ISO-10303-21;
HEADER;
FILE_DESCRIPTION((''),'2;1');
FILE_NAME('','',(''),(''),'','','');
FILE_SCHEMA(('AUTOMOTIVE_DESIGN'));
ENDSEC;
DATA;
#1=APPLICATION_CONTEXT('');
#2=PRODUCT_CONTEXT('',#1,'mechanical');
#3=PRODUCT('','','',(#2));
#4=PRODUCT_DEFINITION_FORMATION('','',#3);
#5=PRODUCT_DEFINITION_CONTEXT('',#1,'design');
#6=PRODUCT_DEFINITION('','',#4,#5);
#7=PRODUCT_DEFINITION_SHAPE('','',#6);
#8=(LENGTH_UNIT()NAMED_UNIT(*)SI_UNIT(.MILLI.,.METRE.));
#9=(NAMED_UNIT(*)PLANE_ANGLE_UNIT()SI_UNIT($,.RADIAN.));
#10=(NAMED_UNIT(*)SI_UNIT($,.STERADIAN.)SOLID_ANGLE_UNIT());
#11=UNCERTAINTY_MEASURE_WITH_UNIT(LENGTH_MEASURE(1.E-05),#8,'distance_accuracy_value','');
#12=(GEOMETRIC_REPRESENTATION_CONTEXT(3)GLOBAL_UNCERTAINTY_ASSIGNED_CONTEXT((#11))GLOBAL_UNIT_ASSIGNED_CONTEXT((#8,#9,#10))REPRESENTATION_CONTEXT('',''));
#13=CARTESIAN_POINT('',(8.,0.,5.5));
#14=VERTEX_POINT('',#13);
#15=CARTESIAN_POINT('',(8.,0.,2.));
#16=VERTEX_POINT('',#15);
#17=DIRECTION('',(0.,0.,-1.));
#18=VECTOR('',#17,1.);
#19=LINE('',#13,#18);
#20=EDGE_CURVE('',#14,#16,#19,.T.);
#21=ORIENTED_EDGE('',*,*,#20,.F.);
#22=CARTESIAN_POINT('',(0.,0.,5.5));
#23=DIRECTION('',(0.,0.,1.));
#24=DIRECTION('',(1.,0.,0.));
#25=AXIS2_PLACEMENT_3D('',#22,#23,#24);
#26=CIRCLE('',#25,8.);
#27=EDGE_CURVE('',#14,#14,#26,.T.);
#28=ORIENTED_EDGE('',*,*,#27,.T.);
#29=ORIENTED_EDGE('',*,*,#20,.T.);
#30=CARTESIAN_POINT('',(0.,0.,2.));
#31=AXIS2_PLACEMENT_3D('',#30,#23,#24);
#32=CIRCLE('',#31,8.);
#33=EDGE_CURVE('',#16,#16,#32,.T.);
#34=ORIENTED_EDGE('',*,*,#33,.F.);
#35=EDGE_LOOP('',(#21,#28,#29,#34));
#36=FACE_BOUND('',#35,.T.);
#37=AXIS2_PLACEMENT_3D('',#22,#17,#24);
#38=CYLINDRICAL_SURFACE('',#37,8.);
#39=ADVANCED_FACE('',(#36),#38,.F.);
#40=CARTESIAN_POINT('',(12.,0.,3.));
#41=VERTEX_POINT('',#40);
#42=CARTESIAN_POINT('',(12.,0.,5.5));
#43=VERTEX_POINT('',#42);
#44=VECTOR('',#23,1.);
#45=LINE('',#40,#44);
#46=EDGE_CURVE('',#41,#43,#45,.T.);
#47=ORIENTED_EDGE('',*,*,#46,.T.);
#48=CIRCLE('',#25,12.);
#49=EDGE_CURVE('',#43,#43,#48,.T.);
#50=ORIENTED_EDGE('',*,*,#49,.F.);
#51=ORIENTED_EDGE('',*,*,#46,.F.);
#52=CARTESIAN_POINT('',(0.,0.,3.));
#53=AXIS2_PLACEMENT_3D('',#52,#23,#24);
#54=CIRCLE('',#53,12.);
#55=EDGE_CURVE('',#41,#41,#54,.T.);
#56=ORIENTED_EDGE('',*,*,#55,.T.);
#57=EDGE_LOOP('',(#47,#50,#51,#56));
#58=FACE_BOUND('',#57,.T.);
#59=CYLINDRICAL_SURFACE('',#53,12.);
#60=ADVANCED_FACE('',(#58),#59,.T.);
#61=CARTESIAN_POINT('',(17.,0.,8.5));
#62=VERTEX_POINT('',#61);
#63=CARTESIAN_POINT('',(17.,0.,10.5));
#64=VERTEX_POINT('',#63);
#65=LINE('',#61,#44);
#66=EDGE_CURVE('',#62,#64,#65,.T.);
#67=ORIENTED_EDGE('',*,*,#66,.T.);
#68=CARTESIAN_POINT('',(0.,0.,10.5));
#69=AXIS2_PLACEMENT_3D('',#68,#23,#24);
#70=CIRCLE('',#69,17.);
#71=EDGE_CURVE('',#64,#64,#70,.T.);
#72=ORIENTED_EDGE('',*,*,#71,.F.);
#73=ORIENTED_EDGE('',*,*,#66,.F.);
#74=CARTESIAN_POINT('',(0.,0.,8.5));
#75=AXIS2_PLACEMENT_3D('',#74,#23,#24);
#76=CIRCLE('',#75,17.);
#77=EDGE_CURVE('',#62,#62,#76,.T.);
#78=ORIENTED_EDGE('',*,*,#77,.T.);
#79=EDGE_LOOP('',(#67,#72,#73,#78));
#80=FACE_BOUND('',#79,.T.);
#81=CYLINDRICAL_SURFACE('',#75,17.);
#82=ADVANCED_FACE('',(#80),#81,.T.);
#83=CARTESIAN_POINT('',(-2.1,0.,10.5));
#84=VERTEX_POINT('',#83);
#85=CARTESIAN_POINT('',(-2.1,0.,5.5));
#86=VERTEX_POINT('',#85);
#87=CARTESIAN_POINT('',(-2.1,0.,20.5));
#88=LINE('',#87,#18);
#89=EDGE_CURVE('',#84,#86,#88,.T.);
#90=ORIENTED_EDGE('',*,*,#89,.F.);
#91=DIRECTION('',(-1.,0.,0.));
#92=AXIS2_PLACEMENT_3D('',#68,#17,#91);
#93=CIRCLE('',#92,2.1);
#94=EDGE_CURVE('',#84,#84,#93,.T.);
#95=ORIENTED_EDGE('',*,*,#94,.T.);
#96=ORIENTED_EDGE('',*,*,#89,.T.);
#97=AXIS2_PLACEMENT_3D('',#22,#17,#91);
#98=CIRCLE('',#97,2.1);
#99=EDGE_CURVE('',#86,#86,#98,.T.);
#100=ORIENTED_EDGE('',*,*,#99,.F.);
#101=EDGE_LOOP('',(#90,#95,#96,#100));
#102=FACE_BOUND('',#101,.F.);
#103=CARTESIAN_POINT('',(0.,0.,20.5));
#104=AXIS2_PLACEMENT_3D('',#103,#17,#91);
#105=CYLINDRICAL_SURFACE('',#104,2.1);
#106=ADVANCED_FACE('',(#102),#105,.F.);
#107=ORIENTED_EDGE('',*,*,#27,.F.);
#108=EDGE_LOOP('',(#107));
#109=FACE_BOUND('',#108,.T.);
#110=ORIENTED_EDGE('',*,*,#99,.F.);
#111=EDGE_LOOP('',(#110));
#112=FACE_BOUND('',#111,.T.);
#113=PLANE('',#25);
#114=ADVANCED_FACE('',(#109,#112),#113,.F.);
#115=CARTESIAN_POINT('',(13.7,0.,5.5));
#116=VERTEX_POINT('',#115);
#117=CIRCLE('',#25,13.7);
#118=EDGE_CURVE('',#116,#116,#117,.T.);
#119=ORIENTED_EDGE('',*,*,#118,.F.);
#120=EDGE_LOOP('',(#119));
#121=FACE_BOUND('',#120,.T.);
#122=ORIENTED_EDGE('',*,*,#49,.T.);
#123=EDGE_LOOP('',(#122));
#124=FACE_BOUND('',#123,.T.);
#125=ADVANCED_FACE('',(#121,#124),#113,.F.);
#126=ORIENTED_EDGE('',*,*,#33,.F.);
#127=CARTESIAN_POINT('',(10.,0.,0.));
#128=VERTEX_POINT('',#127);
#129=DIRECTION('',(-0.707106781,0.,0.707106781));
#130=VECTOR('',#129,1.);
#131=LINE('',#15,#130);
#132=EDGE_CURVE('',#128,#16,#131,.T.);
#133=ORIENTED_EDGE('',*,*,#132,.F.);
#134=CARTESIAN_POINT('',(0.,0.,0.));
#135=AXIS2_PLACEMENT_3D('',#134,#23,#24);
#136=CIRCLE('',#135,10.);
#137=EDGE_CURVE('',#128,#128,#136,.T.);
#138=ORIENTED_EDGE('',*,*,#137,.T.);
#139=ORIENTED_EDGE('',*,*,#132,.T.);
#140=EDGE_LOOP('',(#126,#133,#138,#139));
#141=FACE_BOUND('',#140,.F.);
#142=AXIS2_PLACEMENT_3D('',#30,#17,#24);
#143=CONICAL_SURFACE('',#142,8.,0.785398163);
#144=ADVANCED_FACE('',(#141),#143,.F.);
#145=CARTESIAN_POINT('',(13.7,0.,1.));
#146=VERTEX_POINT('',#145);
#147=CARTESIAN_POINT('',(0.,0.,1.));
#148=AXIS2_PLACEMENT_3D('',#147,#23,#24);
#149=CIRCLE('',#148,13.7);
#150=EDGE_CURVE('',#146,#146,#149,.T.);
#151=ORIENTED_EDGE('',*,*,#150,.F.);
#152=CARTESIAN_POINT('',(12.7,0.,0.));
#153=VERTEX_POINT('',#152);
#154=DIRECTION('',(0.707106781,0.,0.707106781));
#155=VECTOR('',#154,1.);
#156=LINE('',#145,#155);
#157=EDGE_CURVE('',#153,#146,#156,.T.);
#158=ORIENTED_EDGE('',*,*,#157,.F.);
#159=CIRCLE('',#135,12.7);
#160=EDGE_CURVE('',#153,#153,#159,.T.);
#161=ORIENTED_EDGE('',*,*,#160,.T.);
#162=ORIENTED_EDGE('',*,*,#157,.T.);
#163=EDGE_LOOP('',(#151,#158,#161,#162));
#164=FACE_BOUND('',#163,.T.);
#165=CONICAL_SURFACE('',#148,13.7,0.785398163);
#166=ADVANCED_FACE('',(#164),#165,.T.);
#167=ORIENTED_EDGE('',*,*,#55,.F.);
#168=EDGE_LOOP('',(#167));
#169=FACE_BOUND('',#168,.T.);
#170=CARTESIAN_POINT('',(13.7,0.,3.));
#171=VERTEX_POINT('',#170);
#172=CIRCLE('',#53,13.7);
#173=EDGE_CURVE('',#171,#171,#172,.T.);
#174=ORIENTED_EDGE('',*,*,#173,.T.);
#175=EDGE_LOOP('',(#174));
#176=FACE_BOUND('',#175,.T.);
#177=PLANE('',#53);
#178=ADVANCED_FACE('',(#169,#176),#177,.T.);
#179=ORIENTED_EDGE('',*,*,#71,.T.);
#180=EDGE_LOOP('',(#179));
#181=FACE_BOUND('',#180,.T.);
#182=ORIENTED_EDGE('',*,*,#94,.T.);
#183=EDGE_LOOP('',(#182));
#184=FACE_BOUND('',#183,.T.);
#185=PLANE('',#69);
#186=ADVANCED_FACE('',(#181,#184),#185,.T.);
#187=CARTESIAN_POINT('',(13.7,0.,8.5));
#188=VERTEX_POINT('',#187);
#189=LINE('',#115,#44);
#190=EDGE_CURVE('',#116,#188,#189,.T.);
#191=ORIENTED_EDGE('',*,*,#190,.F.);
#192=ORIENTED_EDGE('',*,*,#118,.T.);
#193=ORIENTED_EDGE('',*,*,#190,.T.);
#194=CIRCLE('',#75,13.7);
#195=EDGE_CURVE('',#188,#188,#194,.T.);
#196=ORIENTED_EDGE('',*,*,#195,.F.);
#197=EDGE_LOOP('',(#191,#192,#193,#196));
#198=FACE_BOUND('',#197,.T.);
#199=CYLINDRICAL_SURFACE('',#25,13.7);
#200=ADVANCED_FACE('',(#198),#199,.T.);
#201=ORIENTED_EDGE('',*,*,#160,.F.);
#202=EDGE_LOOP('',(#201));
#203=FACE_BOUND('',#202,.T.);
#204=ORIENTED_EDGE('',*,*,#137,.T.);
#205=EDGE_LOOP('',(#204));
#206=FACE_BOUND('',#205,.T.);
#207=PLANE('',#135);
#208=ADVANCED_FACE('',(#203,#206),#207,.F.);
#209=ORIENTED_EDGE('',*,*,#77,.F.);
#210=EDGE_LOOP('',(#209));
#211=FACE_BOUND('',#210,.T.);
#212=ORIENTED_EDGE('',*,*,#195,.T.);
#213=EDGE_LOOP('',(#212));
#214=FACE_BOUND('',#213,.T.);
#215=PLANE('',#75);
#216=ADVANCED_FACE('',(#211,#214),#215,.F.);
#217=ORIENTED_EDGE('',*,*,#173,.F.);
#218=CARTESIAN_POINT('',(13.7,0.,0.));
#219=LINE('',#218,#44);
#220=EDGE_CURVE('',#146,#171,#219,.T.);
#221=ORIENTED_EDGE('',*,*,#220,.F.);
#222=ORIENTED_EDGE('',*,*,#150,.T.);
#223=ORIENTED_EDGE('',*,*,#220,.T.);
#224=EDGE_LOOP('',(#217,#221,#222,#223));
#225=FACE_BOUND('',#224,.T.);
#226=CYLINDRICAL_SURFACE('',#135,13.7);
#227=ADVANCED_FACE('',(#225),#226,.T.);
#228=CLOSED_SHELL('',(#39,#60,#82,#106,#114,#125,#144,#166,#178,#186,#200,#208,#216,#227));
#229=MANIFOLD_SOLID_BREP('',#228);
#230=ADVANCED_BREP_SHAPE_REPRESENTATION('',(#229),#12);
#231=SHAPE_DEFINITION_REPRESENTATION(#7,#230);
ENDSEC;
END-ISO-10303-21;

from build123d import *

# Parameters (mm, degrees)
F3_D     = 4.2
F3_DEPTH = 10
F3_TIP   = 1.2618073
F4_SIZE  = 1
F5_SIZE  = 2


with BuildPart() as f1:
    # F0 (on Front) → F1 (revolve)
    with BuildSketch(Plane.XZ):
        Polygon((17, 10.5), (0, 10.5), (0, 5.5), (8, 5.5), (8, 0), (13.7, 0), (13.7, 3), (12, 3), (12, 5.5), (13.7, 5.5), (13.7, 8.5), (17, 8.5), align=None)
    revolve(axis=Axis((0, 0, 19.6601920579), (0, 0, 1)))

    # F3
    with Locations(Plane.XY.offset(10.5)):
        with Locations((0, 0)):
            Hole(F3_D / 2, depth=F3_DEPTH)
            with Locations((0, 0, -(F3_DEPTH + F3_TIP / 2))):  # 118° drill point
                Cone(0, F3_D / 2, F3_TIP, mode=Mode.SUBTRACT)

    # F4
    f4_edges = [f1.edges().sort_by_distance(p)[0] for p in [
        (-13.7, 0, 0),
    ]]
    chamfer(f4_edges, length=F4_SIZE)

    # F5
    f5_edges = [f1.edges().sort_by_distance(p)[0] for p in [
        (-8, 0, 0),
    ]]
    chamfer(f5_edges, length=F5_SIZE)


solid = f1.part
